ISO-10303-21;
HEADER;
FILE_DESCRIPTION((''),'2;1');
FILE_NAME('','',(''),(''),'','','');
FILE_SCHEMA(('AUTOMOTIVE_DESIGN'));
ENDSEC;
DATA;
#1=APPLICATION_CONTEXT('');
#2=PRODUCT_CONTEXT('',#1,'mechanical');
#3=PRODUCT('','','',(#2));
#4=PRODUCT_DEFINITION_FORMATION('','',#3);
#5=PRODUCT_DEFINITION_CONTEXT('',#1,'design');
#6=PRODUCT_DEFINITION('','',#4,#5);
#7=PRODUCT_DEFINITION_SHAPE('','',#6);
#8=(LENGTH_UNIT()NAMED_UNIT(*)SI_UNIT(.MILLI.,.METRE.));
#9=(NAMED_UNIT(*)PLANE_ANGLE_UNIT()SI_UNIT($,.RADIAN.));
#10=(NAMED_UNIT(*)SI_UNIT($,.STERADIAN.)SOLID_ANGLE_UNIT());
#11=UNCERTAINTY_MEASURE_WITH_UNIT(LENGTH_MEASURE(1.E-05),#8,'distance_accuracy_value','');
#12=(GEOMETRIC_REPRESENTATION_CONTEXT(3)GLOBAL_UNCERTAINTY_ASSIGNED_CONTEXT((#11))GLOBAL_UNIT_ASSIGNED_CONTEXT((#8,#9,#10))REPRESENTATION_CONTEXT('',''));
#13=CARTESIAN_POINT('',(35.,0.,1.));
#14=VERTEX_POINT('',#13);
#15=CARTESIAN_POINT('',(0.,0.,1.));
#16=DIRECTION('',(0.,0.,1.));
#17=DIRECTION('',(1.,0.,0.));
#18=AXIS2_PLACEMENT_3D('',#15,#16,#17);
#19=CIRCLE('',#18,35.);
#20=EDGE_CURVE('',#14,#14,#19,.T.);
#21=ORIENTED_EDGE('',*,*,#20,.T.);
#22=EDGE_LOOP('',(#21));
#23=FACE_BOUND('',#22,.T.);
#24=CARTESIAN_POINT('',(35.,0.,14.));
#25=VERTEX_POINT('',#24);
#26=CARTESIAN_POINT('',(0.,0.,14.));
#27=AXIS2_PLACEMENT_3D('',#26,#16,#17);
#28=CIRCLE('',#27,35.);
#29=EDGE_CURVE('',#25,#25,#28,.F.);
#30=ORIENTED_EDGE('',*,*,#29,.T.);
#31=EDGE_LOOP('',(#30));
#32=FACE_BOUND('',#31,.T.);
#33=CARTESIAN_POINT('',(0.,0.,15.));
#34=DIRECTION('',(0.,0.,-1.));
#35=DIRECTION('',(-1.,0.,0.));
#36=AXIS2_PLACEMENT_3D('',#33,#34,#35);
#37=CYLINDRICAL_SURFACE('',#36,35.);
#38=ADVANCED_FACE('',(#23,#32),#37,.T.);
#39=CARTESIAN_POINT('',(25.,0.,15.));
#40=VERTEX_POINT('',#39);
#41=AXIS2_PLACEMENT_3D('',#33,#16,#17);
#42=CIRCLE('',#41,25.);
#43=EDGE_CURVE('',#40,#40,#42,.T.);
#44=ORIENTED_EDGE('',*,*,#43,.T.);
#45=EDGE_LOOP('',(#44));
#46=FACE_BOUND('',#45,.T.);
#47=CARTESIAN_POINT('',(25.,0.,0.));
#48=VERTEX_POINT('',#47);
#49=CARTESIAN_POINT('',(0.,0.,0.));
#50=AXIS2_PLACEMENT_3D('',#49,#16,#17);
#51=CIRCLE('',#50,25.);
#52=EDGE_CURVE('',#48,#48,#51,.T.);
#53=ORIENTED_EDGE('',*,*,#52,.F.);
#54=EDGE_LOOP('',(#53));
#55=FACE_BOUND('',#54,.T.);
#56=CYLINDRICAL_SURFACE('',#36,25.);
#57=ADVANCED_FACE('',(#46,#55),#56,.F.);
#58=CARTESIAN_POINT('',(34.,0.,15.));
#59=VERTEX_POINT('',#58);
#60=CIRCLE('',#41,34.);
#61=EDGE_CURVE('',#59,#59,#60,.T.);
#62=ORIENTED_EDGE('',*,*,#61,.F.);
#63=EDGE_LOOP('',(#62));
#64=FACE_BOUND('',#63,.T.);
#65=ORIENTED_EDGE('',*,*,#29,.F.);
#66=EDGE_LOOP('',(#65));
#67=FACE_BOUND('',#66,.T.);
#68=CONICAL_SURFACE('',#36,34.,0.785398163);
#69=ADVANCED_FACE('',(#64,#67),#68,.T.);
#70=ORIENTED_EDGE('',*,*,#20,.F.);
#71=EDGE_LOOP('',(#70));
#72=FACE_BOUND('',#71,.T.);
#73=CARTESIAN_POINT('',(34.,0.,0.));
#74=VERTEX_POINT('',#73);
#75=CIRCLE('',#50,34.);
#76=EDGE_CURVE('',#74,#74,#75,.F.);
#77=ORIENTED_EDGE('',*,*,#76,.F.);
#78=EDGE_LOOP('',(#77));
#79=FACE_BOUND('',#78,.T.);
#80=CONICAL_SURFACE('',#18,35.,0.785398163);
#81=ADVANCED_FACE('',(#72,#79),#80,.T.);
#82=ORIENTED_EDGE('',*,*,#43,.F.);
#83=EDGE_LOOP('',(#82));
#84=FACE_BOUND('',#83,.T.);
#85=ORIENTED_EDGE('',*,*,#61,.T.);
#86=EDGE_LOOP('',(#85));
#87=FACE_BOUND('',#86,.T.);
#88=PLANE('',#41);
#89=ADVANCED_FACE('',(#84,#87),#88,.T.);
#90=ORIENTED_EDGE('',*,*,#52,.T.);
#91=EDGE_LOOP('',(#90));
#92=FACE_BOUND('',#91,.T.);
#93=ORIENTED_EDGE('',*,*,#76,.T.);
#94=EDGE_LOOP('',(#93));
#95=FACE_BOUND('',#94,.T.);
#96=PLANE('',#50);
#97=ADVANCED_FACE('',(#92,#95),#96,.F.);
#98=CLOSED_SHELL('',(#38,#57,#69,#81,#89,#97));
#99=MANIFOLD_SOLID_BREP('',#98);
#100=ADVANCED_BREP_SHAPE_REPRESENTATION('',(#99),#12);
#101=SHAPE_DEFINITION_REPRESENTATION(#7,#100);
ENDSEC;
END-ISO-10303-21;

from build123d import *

# Parameters (mm, degrees)
SKETCH_1_R      = 35
SKETCH_1_R_2    = 25
EXTRUDE_1_DEPTH = 15
CHAMFER_1_SIZE  = 1


with BuildPart() as part:
    # 草图1 → 凸台-拉伸1 (new body)
    with BuildSketch(Plane.XY):
        Circle(SKETCH_1_R)
        Circle(SKETCH_1_R_2, mode=Mode.SUBTRACT)
    extrude(amount=EXTRUDE_1_DEPTH)

    # 倒角1
    chamfer_1_edges = [part.edges().sort_by_distance(p)[0] for p in [
        (-35, 0, 0),
        (-35, 0, 15),
    ]]
    chamfer(chamfer_1_edges, length=CHAMFER_1_SIZE)


solid = part.part
